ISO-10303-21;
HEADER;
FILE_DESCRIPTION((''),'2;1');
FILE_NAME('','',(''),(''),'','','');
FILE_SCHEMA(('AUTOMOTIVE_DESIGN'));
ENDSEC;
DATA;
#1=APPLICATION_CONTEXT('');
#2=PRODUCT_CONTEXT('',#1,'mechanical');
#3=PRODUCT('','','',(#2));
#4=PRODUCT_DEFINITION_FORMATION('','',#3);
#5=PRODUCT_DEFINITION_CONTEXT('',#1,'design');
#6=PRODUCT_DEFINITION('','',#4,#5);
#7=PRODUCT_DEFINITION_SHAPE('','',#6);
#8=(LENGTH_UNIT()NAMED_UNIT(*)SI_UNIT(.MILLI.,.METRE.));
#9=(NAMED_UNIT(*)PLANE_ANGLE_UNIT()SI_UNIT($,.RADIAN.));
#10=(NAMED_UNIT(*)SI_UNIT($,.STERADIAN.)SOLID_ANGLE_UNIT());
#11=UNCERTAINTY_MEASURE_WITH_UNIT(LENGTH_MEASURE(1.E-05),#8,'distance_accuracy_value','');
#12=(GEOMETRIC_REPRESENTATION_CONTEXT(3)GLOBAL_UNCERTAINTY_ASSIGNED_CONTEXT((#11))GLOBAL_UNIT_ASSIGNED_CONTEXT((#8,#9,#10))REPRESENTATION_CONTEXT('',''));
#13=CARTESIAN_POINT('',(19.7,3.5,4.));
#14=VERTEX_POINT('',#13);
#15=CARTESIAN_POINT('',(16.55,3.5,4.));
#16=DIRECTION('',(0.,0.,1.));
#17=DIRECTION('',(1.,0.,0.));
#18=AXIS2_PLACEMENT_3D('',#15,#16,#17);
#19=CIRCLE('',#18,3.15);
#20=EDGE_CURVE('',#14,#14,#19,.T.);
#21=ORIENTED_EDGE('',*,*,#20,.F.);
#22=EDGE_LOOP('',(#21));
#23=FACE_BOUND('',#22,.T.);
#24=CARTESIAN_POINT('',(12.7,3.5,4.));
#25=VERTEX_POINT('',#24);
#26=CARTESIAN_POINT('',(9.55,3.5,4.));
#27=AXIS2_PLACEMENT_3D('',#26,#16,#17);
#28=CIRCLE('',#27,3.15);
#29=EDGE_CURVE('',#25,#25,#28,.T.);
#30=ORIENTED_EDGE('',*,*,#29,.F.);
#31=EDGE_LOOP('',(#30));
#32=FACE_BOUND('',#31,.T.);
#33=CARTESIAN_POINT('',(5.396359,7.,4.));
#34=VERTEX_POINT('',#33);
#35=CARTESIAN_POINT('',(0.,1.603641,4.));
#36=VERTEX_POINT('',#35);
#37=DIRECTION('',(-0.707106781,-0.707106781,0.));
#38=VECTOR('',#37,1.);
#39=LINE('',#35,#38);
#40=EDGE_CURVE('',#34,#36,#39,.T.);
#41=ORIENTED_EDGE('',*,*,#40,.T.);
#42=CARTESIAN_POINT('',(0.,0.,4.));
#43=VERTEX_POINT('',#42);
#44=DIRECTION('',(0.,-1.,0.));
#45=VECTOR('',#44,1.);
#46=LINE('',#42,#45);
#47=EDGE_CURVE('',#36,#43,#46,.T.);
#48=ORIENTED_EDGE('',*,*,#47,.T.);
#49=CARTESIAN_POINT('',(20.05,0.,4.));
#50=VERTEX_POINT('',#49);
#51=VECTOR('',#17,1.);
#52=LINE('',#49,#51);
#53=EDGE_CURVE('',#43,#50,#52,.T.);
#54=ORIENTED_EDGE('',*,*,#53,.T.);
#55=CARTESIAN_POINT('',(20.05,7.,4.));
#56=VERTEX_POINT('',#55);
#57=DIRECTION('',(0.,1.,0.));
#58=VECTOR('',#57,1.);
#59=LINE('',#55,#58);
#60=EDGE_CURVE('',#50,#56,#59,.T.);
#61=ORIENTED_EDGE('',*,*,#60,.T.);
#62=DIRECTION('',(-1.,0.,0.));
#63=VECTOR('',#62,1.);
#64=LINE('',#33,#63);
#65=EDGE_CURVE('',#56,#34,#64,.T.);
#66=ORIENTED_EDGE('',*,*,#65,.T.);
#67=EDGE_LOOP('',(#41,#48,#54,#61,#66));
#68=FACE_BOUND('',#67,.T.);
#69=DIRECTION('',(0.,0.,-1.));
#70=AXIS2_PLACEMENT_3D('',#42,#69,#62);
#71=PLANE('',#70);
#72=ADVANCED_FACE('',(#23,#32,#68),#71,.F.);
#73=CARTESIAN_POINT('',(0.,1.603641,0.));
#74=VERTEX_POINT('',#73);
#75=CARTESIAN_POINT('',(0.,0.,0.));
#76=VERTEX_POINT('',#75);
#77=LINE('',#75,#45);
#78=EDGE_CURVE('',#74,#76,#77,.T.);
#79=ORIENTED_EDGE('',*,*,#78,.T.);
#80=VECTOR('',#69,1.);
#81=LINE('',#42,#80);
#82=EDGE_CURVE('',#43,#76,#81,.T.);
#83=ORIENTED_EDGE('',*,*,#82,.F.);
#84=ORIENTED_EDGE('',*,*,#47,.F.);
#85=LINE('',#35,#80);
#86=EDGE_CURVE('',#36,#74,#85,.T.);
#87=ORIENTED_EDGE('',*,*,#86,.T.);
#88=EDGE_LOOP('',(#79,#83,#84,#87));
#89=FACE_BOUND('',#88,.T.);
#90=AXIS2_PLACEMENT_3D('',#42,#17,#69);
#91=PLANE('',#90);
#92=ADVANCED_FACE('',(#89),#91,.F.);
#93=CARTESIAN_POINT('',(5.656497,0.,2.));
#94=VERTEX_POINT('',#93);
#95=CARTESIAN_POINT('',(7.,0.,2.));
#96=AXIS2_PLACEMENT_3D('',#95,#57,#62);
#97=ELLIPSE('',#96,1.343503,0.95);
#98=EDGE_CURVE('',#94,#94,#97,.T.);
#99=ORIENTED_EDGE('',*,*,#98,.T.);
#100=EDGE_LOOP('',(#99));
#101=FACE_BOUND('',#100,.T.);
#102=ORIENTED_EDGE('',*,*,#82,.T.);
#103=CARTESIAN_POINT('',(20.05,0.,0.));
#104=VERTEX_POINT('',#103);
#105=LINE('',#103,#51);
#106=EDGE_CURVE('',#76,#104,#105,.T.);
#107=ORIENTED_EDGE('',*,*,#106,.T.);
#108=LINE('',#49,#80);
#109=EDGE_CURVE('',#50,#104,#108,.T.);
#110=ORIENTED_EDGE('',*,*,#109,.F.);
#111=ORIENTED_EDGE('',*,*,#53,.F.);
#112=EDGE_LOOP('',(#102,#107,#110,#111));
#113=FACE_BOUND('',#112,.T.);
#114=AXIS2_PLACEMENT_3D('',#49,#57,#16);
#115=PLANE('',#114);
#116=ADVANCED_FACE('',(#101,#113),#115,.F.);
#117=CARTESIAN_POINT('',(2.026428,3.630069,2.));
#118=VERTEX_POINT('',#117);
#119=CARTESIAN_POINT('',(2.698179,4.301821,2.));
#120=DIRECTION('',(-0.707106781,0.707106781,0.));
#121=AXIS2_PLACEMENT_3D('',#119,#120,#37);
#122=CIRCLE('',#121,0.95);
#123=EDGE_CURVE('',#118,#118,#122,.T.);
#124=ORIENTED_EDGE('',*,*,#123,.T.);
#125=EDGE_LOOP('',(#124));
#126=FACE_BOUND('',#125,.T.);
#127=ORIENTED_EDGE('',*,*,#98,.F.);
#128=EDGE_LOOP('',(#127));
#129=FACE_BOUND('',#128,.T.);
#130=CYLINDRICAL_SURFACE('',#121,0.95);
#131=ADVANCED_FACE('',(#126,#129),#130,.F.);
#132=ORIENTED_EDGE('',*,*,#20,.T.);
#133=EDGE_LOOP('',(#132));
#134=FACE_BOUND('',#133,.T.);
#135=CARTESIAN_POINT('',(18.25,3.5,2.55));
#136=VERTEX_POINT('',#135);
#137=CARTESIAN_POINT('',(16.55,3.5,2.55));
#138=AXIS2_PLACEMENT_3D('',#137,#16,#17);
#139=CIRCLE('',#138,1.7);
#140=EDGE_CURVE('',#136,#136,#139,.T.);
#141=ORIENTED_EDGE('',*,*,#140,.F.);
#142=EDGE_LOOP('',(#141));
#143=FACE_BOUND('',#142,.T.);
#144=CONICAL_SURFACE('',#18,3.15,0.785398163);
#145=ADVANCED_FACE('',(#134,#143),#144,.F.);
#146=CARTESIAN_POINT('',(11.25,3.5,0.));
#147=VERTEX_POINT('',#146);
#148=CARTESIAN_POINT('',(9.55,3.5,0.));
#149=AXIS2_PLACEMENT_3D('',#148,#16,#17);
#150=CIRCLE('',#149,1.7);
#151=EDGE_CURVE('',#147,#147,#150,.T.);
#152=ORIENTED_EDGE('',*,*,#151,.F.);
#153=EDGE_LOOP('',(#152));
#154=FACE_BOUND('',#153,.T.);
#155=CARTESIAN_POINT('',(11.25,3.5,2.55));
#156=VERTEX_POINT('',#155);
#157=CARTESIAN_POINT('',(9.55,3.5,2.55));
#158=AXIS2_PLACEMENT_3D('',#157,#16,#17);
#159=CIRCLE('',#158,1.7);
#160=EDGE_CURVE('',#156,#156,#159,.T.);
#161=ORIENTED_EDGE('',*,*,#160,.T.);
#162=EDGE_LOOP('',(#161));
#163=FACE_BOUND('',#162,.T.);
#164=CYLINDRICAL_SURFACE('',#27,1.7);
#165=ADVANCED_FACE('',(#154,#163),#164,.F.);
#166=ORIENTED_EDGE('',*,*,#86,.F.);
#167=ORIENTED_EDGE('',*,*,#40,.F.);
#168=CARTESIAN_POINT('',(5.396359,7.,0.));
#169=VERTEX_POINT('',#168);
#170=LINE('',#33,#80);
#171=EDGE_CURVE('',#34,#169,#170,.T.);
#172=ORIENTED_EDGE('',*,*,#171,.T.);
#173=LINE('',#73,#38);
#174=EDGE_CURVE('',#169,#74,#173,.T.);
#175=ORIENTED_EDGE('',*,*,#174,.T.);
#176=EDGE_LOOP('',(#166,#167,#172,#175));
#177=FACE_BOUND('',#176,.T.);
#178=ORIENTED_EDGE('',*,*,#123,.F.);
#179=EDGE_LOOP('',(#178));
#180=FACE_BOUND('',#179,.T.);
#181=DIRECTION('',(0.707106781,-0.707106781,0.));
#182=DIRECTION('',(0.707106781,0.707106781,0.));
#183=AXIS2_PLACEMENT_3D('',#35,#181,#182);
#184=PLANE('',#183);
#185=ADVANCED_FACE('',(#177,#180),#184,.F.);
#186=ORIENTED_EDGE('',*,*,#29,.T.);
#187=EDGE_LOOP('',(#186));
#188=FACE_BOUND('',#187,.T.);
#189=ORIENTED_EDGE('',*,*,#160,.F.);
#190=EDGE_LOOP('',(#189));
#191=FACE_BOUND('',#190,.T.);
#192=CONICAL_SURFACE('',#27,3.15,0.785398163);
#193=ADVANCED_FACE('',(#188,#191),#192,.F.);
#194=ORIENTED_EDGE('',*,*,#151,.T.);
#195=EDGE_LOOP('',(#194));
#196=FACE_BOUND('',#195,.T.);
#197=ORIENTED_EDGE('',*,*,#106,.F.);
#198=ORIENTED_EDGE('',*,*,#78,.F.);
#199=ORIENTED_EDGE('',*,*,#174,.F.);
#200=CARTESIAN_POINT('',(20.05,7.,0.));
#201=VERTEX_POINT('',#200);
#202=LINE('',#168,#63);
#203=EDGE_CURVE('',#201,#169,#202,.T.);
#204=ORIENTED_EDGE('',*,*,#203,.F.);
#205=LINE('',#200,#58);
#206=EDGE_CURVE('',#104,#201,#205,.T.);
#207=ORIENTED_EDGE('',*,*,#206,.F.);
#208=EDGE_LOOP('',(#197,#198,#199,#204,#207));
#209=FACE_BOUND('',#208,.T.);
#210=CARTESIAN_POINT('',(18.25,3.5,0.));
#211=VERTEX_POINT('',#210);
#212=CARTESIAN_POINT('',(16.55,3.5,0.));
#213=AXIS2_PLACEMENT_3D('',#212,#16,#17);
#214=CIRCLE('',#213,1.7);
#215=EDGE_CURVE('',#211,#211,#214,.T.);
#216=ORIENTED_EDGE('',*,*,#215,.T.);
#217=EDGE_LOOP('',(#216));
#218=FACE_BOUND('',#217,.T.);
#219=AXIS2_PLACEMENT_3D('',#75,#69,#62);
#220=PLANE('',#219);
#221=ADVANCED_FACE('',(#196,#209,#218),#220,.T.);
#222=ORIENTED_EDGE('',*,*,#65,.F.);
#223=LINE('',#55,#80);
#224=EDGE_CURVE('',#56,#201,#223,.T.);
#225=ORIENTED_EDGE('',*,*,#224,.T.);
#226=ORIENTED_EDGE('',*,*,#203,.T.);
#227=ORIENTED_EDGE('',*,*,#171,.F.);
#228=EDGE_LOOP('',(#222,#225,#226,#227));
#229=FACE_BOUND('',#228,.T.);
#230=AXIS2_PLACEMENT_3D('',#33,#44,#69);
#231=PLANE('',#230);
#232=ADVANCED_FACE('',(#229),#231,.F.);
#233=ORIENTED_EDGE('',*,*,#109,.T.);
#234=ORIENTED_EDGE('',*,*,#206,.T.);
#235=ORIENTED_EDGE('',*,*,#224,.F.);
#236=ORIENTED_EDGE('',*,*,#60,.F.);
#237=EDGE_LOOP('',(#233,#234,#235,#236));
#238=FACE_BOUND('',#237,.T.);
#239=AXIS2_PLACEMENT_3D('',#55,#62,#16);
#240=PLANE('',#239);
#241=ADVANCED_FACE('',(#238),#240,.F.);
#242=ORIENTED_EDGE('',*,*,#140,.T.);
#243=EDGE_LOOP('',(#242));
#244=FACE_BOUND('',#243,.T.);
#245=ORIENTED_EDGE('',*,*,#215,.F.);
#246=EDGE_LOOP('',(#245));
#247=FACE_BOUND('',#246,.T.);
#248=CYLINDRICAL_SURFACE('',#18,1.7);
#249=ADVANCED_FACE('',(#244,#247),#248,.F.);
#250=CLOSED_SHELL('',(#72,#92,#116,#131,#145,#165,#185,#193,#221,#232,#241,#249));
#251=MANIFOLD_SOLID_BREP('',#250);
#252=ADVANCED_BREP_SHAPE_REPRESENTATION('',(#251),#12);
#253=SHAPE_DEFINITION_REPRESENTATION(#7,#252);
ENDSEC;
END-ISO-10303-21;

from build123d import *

# Parameters (mm, degrees)
BOSS_EXTRUDE1_DEPTH                                 = 4
CSK_FOR_M3_COUNTERSUNK_FLAT_HEAD_SCREW1_D           = 3.4
CSK_FOR_M3_COUNTERSUNK_FLAT_HEAD_SCREW1_CSINK_D     = 6.3
CSK_FOR_M3_COUNTERSUNK_FLAT_HEAD_SCREW1_CSINK_ANGLE = 90
TAP_DRILL_FOR_M2_TAP1_D                             = 1.9


with BuildPart() as part:
    # Sketch1 → Boss-Extrude1 (new body)
    with BuildSketch(Plane.XY):
        Polygon((5.396358967, 7), (20.05, 7), (20.05, 0), (0, 0), (0, 1.603641033), align=None)
    extrude(amount=BOSS_EXTRUDE1_DEPTH)

    # CSK for M3 Countersunk Flat Head Screw1 (through all)
    with Locations(Plane.XY.offset(4)):
        with Locations((16.55, 3.5), (9.55, 3.5)):
            CounterSinkHole(CSK_FOR_M3_COUNTERSUNK_FLAT_HEAD_SCREW1_D / 2, CSK_FOR_M3_COUNTERSUNK_FLAT_HEAD_SCREW1_CSINK_D / 2, counter_sink_angle=CSK_FOR_M3_COUNTERSUNK_FLAT_HEAD_SCREW1_CSINK_ANGLE)

    # Tap Drill for M2 Tap1 (through all)
    with Locations(Plane(origin=(-0.801820516, 0.801820516, 0), x_dir=(0.7071067811865511, 0.707106781186544, 0), z_dir=(-0.707106781186544, 0.7071067811865511, 0))):
        with Locations((4.949747468, -2)):
            Hole(TAP_DRILL_FOR_M2_TAP1_D / 2)


solid = part.part
